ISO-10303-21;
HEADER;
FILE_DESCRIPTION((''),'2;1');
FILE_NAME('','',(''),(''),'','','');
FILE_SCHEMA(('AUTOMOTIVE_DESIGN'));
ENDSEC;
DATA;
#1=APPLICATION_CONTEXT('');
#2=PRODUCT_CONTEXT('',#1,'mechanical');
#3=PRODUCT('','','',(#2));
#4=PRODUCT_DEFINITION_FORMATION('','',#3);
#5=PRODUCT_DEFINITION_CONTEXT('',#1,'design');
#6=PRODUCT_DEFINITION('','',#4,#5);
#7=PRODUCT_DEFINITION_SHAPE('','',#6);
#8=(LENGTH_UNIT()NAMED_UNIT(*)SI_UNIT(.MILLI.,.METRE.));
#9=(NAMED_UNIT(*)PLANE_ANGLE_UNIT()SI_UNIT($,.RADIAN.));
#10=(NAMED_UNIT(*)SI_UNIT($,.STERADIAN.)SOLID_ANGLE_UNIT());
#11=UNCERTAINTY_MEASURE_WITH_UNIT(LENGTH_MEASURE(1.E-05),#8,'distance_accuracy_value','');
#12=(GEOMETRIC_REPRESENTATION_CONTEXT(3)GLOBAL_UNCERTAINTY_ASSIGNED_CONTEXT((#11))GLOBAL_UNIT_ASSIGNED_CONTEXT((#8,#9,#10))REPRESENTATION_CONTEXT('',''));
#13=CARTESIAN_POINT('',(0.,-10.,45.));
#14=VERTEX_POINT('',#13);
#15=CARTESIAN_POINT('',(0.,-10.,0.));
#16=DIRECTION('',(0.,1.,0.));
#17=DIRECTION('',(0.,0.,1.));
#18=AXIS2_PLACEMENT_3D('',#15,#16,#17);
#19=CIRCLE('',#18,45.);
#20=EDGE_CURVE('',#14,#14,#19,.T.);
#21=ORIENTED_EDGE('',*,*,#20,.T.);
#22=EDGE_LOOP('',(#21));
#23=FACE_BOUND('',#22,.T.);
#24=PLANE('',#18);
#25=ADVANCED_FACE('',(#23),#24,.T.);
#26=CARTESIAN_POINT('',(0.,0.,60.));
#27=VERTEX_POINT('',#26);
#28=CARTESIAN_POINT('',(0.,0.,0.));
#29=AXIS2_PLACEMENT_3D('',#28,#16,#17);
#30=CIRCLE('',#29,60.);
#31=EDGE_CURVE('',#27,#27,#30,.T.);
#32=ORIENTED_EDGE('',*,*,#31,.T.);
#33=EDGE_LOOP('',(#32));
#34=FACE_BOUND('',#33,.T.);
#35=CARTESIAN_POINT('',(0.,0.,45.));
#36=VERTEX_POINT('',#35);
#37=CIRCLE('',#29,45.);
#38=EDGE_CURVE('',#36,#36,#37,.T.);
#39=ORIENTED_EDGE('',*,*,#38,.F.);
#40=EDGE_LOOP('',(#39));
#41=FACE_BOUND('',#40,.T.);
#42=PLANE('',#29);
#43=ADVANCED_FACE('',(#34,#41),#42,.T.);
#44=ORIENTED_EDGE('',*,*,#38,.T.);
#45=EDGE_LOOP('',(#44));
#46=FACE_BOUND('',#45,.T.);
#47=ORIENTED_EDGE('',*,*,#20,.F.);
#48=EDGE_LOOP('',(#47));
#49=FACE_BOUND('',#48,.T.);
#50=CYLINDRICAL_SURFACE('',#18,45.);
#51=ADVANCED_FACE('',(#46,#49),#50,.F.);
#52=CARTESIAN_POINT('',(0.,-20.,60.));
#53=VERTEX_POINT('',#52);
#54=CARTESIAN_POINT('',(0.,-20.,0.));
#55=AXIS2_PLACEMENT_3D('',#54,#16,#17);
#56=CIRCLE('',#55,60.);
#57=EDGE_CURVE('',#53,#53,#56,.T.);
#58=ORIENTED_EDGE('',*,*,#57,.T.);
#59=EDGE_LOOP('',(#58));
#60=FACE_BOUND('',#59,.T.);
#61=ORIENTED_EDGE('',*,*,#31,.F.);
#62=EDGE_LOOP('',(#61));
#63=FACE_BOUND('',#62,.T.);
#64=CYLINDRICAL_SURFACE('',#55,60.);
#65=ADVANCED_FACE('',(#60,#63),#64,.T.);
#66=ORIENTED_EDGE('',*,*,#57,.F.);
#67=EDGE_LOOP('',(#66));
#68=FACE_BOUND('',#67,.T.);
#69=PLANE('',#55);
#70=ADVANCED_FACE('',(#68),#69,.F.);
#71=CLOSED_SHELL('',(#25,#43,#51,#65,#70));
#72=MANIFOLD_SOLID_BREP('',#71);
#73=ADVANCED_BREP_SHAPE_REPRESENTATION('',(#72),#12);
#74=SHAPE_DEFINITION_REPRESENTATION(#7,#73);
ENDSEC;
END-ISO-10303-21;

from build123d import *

# Parameters (mm, degrees)
SKETCH1_R           = 60
BOSS_EXTRUDE1_DEPTH = 20
SKETCH2_R           = 45
CUT_EXTRUDE1_DEPTH  = 10


with BuildPart() as part:
    # Sketch1 → Boss-Extrude1 (new body)
    with BuildSketch(Plane(origin=(0, 0, 0), x_dir=(1, 0, 0), z_dir=(0, 1, 0))):
        with Locations(Location((0, 0, 0), (0, 0, 270))):
            Circle(SKETCH1_R)
    extrude(amount=-BOSS_EXTRUDE1_DEPTH)

    # Sketch2 → Cut-Extrude1 (cut)
    with BuildSketch(Plane(origin=(0, 0, 0), x_dir=(1, 0, 0), z_dir=(0, 1, 0))):
        with Locations(Location((0, 0, 0), (0, 0, 270))):
            Circle(SKETCH2_R)
    extrude(amount=-CUT_EXTRUDE1_DEPTH, mode=Mode.SUBTRACT)


solid = part.part
